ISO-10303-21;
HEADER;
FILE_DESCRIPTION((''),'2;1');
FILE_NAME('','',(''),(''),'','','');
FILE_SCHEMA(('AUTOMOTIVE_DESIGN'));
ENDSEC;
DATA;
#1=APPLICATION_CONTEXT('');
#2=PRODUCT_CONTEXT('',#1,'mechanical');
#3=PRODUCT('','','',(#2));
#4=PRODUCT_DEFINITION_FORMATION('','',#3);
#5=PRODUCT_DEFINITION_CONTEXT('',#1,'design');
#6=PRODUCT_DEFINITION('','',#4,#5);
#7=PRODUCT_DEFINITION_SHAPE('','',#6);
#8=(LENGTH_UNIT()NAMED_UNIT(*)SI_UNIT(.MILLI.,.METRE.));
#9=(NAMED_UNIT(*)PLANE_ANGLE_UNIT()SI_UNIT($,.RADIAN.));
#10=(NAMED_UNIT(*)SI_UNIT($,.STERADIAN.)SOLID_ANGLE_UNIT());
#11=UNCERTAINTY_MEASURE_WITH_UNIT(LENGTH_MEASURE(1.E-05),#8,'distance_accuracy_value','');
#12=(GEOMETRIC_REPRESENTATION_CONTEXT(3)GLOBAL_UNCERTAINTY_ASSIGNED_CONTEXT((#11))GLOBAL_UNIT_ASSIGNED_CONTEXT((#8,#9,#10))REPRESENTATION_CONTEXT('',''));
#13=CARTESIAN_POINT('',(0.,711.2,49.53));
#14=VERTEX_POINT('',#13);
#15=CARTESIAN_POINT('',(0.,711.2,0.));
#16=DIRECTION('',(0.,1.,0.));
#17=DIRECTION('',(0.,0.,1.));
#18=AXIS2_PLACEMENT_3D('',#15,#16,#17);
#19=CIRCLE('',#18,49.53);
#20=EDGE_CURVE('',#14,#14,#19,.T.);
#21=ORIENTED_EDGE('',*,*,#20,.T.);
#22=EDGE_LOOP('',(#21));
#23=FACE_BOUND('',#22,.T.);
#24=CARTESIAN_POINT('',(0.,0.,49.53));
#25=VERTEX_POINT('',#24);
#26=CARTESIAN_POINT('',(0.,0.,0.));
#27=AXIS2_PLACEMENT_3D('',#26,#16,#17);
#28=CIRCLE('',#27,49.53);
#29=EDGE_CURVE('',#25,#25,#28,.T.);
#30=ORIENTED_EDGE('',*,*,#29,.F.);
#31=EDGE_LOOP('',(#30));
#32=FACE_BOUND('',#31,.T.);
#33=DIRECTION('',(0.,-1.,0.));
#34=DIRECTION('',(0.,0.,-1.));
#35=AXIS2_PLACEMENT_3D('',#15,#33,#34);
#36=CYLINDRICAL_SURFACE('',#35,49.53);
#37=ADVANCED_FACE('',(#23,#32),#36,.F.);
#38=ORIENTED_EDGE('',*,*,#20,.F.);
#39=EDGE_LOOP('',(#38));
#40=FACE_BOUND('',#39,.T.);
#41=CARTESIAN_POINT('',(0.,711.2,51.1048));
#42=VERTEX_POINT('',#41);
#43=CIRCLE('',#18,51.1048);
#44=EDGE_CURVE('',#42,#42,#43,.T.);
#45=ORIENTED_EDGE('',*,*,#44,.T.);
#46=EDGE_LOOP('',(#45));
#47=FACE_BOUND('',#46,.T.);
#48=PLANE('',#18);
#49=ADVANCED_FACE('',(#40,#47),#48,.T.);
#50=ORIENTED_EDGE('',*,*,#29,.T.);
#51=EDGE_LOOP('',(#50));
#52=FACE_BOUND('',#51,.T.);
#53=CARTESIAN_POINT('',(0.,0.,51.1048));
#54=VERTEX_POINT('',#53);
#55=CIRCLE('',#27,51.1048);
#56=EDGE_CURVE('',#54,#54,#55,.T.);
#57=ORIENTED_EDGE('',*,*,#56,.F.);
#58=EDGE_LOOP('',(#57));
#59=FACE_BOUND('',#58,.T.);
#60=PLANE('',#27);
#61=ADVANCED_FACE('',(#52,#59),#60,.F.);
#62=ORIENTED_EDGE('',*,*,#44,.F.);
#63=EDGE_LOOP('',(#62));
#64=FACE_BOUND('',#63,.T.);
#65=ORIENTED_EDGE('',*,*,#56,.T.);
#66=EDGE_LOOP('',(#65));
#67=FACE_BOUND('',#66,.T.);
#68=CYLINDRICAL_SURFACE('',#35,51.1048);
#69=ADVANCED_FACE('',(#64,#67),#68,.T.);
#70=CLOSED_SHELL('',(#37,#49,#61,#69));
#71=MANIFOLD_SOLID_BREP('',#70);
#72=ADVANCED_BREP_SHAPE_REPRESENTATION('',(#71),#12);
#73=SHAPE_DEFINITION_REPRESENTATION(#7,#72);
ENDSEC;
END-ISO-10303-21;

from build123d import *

# Parameters (mm, degrees)
MOTOR_MOUNT_PROFILE_SKETCH_R   = 51.1048
MOTOR_MOUNT_PROFILE_SKETCH_R_2 = 49.53
MOTOR_MOUNT_BODY_DEPTH         = 711.2


with BuildPart() as part:
    # Motor Mount Profile Sketch → Motor Mount Body (new body)
    with BuildSketch(Plane(origin=(0, 0, 0), x_dir=(1, 0, 0), z_dir=(0, 1, 0))):
        with Locations(Location((0, 0, 0), (0, 0, 270))):
            Circle(MOTOR_MOUNT_PROFILE_SKETCH_R)
        with Locations(Location((0, 0, 0), (0, 0, 270))):
            Circle(MOTOR_MOUNT_PROFILE_SKETCH_R_2, mode=Mode.SUBTRACT)
    extrude(amount=MOTOR_MOUNT_BODY_DEPTH)


solid = part.part
